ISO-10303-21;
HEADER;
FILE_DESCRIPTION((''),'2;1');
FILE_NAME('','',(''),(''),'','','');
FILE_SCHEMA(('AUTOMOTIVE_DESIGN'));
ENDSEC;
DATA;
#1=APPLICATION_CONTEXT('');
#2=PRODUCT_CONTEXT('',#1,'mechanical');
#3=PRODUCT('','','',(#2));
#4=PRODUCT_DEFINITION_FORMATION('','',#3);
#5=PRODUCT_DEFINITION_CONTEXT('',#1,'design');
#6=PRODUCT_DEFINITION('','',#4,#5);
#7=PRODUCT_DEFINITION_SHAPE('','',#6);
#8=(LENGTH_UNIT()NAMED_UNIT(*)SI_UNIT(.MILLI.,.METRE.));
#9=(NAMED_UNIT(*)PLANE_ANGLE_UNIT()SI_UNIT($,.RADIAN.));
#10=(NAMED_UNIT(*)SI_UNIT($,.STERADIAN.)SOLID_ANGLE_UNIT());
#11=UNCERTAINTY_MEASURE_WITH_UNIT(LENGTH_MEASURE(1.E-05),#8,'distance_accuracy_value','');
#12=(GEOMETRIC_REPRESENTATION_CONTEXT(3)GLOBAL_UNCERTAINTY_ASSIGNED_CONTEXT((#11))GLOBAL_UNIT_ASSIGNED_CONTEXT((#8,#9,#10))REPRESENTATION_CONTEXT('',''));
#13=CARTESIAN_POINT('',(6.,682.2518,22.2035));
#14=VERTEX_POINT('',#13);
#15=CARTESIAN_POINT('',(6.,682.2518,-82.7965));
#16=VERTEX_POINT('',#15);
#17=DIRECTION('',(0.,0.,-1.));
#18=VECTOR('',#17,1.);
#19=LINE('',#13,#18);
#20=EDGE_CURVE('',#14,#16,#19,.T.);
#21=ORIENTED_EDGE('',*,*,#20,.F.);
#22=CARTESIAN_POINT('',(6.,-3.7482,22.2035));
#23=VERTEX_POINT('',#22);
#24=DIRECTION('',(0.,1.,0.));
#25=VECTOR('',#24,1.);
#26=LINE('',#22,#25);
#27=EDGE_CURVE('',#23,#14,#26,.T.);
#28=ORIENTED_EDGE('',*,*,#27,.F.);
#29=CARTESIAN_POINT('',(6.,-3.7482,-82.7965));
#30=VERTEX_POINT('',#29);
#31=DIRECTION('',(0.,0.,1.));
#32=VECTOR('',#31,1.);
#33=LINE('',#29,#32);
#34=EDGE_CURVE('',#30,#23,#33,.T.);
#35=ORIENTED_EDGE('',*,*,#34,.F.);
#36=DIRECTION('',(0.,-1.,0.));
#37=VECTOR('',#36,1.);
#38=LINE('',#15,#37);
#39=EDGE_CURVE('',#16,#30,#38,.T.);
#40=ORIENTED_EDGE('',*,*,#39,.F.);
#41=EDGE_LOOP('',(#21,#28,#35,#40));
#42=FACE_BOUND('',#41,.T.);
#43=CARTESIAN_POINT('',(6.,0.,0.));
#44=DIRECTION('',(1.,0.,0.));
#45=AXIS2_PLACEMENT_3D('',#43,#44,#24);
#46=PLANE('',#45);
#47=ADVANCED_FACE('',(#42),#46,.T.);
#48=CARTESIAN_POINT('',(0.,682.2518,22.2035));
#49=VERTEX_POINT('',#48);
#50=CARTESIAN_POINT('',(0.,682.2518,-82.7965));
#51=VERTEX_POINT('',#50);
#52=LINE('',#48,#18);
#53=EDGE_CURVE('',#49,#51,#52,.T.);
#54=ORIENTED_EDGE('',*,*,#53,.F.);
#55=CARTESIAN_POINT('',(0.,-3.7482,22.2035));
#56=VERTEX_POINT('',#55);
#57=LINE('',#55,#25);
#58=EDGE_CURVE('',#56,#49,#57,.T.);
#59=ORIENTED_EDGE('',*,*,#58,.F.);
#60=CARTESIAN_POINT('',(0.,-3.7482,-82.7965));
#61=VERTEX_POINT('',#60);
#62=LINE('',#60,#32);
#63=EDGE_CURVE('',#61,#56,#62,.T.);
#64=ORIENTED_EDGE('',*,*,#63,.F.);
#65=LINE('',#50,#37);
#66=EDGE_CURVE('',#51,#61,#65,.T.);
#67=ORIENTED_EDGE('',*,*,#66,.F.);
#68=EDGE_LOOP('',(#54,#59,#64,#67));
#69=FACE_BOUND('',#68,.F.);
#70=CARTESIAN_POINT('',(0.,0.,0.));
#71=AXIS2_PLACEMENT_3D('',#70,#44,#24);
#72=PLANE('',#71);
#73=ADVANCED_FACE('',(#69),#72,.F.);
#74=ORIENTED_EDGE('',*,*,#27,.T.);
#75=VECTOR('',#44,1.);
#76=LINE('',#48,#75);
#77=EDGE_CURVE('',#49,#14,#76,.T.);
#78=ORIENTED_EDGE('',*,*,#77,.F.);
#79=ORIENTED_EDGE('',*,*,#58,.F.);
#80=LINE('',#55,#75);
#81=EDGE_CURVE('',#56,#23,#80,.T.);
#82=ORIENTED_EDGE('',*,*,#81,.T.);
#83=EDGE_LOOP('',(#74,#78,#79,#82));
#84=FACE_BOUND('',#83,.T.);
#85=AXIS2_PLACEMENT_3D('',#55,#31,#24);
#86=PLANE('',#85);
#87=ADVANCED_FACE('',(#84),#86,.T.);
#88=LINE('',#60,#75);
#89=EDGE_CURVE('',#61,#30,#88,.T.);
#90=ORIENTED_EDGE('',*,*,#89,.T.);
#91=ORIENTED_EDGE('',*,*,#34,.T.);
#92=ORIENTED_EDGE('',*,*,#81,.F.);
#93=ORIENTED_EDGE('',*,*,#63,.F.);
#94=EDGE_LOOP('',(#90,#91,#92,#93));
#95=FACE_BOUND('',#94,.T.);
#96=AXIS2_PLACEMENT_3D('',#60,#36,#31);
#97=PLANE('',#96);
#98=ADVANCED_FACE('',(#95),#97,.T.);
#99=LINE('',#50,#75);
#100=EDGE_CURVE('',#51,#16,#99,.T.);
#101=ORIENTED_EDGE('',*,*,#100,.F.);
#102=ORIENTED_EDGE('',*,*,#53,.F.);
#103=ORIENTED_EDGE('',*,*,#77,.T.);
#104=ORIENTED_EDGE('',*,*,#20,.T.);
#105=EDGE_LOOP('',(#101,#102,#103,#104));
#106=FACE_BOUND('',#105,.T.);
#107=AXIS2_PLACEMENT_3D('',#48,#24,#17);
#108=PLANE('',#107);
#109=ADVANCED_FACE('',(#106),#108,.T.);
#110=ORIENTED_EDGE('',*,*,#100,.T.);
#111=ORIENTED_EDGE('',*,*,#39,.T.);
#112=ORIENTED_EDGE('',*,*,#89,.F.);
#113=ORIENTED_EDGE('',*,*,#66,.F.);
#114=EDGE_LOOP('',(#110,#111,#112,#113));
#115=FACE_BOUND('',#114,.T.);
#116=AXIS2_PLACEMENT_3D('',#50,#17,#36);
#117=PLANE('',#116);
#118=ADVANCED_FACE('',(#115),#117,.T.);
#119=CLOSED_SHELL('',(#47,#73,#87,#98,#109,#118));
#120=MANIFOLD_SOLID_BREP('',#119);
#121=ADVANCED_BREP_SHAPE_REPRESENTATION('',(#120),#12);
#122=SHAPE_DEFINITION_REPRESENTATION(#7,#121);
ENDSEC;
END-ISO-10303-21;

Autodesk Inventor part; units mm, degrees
ref_plane "YZ Plane" through (0, 0, 0) normal (1, 0, 0) x (0, 1, 0)
ref_plane "XZ Plane" through (0, 0, 0) normal (0, 1, 0) x (-1, 0, 0)
ref_plane "XY Plane" through (0, 0, 0) normal (0, 0, 1) x (1, 0, 0)
sketch "Sketch1" plane through (0, 0, 0) normal (1, 0, 0) x (0, 1, 0)
  line L0 (-3.7482, 22.2035) -> (682.2518, 22.2035)
  line L1 (682.2518, 22.2035) -> (682.2518, -82.7965)
  line L2 (682.2518, -82.7965) -> (-3.7482, -82.7965)
  line L3 (-3.7482, -82.7965) -> (-3.7482, 22.2035)
  point P0 (0, 0)
  dimension "b" = 686
  dimension "d1" = 105
extrude "Extrusion1" add sketch "Sketch1" along normal blind 6
properties part number "CUT PART D"
